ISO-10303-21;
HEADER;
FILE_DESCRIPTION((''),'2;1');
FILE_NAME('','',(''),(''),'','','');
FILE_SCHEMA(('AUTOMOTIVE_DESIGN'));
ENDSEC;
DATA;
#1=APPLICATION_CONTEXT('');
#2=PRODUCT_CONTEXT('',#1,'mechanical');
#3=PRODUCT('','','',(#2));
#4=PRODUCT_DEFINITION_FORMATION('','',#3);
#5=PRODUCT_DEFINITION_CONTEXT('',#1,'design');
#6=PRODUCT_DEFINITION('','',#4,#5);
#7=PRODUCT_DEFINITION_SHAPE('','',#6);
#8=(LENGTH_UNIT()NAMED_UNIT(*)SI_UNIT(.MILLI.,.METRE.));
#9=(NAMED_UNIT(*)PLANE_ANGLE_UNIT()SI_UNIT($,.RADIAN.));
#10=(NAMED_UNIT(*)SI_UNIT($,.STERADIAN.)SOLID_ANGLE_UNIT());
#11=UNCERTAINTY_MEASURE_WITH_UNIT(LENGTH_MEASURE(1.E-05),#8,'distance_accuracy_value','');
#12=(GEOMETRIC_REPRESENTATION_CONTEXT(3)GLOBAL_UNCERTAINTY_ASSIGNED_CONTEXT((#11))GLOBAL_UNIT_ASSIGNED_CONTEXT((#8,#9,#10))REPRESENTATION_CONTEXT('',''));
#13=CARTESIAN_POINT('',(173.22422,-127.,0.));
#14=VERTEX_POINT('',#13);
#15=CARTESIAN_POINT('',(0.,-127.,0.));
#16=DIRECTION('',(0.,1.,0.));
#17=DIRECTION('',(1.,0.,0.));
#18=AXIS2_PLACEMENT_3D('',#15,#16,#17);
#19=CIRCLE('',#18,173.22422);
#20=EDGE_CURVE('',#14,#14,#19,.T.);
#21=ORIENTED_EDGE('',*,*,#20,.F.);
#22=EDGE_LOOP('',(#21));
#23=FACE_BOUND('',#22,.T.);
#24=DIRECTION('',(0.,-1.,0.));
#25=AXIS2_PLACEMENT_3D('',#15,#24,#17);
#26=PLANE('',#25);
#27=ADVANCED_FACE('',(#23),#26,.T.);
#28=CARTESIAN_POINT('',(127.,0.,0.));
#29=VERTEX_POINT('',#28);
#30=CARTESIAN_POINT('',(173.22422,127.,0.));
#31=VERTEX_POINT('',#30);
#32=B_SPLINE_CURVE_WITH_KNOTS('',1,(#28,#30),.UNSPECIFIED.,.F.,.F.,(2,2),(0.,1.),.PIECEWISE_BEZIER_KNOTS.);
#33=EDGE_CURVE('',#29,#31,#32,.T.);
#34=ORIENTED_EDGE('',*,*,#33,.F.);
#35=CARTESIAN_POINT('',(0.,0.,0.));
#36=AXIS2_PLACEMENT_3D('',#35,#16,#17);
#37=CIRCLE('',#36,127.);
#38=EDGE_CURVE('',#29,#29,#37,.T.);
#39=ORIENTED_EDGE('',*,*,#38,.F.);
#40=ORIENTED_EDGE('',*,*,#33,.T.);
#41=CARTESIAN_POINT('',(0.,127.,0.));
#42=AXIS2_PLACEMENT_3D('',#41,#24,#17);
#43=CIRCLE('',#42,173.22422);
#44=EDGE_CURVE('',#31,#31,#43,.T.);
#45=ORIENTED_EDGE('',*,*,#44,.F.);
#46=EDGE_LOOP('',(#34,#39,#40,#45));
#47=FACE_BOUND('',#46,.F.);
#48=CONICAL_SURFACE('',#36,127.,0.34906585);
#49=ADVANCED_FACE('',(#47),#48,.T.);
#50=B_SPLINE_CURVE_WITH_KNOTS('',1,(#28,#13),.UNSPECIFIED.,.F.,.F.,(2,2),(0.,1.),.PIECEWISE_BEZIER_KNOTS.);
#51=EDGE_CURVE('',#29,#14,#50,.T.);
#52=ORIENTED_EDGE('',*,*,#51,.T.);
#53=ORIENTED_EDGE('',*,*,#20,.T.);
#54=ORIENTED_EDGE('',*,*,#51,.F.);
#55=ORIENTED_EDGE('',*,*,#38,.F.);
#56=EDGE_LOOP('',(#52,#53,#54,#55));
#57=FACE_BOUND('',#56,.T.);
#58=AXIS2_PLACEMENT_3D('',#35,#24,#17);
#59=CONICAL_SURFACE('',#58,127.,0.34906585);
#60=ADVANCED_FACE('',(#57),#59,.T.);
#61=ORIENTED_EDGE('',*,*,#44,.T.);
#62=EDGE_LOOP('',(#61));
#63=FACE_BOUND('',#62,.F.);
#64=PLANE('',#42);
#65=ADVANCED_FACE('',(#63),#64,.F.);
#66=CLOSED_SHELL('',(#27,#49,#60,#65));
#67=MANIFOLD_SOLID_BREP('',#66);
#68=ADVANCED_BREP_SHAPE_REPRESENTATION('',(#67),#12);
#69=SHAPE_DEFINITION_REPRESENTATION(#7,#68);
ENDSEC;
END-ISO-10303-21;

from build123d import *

# Parameters (mm, degrees)
F0_R     = 127
F1_DEPTH = 127
F1_TAPER = -20


with BuildPart() as f1:
    # F0 (on Front) → F1 (new body, symmetric)
    with BuildSketch(Plane.XZ):
        Circle(F0_R)
    extrude(amount=F1_DEPTH, both=True, taper=F1_TAPER)


solid = f1.part
